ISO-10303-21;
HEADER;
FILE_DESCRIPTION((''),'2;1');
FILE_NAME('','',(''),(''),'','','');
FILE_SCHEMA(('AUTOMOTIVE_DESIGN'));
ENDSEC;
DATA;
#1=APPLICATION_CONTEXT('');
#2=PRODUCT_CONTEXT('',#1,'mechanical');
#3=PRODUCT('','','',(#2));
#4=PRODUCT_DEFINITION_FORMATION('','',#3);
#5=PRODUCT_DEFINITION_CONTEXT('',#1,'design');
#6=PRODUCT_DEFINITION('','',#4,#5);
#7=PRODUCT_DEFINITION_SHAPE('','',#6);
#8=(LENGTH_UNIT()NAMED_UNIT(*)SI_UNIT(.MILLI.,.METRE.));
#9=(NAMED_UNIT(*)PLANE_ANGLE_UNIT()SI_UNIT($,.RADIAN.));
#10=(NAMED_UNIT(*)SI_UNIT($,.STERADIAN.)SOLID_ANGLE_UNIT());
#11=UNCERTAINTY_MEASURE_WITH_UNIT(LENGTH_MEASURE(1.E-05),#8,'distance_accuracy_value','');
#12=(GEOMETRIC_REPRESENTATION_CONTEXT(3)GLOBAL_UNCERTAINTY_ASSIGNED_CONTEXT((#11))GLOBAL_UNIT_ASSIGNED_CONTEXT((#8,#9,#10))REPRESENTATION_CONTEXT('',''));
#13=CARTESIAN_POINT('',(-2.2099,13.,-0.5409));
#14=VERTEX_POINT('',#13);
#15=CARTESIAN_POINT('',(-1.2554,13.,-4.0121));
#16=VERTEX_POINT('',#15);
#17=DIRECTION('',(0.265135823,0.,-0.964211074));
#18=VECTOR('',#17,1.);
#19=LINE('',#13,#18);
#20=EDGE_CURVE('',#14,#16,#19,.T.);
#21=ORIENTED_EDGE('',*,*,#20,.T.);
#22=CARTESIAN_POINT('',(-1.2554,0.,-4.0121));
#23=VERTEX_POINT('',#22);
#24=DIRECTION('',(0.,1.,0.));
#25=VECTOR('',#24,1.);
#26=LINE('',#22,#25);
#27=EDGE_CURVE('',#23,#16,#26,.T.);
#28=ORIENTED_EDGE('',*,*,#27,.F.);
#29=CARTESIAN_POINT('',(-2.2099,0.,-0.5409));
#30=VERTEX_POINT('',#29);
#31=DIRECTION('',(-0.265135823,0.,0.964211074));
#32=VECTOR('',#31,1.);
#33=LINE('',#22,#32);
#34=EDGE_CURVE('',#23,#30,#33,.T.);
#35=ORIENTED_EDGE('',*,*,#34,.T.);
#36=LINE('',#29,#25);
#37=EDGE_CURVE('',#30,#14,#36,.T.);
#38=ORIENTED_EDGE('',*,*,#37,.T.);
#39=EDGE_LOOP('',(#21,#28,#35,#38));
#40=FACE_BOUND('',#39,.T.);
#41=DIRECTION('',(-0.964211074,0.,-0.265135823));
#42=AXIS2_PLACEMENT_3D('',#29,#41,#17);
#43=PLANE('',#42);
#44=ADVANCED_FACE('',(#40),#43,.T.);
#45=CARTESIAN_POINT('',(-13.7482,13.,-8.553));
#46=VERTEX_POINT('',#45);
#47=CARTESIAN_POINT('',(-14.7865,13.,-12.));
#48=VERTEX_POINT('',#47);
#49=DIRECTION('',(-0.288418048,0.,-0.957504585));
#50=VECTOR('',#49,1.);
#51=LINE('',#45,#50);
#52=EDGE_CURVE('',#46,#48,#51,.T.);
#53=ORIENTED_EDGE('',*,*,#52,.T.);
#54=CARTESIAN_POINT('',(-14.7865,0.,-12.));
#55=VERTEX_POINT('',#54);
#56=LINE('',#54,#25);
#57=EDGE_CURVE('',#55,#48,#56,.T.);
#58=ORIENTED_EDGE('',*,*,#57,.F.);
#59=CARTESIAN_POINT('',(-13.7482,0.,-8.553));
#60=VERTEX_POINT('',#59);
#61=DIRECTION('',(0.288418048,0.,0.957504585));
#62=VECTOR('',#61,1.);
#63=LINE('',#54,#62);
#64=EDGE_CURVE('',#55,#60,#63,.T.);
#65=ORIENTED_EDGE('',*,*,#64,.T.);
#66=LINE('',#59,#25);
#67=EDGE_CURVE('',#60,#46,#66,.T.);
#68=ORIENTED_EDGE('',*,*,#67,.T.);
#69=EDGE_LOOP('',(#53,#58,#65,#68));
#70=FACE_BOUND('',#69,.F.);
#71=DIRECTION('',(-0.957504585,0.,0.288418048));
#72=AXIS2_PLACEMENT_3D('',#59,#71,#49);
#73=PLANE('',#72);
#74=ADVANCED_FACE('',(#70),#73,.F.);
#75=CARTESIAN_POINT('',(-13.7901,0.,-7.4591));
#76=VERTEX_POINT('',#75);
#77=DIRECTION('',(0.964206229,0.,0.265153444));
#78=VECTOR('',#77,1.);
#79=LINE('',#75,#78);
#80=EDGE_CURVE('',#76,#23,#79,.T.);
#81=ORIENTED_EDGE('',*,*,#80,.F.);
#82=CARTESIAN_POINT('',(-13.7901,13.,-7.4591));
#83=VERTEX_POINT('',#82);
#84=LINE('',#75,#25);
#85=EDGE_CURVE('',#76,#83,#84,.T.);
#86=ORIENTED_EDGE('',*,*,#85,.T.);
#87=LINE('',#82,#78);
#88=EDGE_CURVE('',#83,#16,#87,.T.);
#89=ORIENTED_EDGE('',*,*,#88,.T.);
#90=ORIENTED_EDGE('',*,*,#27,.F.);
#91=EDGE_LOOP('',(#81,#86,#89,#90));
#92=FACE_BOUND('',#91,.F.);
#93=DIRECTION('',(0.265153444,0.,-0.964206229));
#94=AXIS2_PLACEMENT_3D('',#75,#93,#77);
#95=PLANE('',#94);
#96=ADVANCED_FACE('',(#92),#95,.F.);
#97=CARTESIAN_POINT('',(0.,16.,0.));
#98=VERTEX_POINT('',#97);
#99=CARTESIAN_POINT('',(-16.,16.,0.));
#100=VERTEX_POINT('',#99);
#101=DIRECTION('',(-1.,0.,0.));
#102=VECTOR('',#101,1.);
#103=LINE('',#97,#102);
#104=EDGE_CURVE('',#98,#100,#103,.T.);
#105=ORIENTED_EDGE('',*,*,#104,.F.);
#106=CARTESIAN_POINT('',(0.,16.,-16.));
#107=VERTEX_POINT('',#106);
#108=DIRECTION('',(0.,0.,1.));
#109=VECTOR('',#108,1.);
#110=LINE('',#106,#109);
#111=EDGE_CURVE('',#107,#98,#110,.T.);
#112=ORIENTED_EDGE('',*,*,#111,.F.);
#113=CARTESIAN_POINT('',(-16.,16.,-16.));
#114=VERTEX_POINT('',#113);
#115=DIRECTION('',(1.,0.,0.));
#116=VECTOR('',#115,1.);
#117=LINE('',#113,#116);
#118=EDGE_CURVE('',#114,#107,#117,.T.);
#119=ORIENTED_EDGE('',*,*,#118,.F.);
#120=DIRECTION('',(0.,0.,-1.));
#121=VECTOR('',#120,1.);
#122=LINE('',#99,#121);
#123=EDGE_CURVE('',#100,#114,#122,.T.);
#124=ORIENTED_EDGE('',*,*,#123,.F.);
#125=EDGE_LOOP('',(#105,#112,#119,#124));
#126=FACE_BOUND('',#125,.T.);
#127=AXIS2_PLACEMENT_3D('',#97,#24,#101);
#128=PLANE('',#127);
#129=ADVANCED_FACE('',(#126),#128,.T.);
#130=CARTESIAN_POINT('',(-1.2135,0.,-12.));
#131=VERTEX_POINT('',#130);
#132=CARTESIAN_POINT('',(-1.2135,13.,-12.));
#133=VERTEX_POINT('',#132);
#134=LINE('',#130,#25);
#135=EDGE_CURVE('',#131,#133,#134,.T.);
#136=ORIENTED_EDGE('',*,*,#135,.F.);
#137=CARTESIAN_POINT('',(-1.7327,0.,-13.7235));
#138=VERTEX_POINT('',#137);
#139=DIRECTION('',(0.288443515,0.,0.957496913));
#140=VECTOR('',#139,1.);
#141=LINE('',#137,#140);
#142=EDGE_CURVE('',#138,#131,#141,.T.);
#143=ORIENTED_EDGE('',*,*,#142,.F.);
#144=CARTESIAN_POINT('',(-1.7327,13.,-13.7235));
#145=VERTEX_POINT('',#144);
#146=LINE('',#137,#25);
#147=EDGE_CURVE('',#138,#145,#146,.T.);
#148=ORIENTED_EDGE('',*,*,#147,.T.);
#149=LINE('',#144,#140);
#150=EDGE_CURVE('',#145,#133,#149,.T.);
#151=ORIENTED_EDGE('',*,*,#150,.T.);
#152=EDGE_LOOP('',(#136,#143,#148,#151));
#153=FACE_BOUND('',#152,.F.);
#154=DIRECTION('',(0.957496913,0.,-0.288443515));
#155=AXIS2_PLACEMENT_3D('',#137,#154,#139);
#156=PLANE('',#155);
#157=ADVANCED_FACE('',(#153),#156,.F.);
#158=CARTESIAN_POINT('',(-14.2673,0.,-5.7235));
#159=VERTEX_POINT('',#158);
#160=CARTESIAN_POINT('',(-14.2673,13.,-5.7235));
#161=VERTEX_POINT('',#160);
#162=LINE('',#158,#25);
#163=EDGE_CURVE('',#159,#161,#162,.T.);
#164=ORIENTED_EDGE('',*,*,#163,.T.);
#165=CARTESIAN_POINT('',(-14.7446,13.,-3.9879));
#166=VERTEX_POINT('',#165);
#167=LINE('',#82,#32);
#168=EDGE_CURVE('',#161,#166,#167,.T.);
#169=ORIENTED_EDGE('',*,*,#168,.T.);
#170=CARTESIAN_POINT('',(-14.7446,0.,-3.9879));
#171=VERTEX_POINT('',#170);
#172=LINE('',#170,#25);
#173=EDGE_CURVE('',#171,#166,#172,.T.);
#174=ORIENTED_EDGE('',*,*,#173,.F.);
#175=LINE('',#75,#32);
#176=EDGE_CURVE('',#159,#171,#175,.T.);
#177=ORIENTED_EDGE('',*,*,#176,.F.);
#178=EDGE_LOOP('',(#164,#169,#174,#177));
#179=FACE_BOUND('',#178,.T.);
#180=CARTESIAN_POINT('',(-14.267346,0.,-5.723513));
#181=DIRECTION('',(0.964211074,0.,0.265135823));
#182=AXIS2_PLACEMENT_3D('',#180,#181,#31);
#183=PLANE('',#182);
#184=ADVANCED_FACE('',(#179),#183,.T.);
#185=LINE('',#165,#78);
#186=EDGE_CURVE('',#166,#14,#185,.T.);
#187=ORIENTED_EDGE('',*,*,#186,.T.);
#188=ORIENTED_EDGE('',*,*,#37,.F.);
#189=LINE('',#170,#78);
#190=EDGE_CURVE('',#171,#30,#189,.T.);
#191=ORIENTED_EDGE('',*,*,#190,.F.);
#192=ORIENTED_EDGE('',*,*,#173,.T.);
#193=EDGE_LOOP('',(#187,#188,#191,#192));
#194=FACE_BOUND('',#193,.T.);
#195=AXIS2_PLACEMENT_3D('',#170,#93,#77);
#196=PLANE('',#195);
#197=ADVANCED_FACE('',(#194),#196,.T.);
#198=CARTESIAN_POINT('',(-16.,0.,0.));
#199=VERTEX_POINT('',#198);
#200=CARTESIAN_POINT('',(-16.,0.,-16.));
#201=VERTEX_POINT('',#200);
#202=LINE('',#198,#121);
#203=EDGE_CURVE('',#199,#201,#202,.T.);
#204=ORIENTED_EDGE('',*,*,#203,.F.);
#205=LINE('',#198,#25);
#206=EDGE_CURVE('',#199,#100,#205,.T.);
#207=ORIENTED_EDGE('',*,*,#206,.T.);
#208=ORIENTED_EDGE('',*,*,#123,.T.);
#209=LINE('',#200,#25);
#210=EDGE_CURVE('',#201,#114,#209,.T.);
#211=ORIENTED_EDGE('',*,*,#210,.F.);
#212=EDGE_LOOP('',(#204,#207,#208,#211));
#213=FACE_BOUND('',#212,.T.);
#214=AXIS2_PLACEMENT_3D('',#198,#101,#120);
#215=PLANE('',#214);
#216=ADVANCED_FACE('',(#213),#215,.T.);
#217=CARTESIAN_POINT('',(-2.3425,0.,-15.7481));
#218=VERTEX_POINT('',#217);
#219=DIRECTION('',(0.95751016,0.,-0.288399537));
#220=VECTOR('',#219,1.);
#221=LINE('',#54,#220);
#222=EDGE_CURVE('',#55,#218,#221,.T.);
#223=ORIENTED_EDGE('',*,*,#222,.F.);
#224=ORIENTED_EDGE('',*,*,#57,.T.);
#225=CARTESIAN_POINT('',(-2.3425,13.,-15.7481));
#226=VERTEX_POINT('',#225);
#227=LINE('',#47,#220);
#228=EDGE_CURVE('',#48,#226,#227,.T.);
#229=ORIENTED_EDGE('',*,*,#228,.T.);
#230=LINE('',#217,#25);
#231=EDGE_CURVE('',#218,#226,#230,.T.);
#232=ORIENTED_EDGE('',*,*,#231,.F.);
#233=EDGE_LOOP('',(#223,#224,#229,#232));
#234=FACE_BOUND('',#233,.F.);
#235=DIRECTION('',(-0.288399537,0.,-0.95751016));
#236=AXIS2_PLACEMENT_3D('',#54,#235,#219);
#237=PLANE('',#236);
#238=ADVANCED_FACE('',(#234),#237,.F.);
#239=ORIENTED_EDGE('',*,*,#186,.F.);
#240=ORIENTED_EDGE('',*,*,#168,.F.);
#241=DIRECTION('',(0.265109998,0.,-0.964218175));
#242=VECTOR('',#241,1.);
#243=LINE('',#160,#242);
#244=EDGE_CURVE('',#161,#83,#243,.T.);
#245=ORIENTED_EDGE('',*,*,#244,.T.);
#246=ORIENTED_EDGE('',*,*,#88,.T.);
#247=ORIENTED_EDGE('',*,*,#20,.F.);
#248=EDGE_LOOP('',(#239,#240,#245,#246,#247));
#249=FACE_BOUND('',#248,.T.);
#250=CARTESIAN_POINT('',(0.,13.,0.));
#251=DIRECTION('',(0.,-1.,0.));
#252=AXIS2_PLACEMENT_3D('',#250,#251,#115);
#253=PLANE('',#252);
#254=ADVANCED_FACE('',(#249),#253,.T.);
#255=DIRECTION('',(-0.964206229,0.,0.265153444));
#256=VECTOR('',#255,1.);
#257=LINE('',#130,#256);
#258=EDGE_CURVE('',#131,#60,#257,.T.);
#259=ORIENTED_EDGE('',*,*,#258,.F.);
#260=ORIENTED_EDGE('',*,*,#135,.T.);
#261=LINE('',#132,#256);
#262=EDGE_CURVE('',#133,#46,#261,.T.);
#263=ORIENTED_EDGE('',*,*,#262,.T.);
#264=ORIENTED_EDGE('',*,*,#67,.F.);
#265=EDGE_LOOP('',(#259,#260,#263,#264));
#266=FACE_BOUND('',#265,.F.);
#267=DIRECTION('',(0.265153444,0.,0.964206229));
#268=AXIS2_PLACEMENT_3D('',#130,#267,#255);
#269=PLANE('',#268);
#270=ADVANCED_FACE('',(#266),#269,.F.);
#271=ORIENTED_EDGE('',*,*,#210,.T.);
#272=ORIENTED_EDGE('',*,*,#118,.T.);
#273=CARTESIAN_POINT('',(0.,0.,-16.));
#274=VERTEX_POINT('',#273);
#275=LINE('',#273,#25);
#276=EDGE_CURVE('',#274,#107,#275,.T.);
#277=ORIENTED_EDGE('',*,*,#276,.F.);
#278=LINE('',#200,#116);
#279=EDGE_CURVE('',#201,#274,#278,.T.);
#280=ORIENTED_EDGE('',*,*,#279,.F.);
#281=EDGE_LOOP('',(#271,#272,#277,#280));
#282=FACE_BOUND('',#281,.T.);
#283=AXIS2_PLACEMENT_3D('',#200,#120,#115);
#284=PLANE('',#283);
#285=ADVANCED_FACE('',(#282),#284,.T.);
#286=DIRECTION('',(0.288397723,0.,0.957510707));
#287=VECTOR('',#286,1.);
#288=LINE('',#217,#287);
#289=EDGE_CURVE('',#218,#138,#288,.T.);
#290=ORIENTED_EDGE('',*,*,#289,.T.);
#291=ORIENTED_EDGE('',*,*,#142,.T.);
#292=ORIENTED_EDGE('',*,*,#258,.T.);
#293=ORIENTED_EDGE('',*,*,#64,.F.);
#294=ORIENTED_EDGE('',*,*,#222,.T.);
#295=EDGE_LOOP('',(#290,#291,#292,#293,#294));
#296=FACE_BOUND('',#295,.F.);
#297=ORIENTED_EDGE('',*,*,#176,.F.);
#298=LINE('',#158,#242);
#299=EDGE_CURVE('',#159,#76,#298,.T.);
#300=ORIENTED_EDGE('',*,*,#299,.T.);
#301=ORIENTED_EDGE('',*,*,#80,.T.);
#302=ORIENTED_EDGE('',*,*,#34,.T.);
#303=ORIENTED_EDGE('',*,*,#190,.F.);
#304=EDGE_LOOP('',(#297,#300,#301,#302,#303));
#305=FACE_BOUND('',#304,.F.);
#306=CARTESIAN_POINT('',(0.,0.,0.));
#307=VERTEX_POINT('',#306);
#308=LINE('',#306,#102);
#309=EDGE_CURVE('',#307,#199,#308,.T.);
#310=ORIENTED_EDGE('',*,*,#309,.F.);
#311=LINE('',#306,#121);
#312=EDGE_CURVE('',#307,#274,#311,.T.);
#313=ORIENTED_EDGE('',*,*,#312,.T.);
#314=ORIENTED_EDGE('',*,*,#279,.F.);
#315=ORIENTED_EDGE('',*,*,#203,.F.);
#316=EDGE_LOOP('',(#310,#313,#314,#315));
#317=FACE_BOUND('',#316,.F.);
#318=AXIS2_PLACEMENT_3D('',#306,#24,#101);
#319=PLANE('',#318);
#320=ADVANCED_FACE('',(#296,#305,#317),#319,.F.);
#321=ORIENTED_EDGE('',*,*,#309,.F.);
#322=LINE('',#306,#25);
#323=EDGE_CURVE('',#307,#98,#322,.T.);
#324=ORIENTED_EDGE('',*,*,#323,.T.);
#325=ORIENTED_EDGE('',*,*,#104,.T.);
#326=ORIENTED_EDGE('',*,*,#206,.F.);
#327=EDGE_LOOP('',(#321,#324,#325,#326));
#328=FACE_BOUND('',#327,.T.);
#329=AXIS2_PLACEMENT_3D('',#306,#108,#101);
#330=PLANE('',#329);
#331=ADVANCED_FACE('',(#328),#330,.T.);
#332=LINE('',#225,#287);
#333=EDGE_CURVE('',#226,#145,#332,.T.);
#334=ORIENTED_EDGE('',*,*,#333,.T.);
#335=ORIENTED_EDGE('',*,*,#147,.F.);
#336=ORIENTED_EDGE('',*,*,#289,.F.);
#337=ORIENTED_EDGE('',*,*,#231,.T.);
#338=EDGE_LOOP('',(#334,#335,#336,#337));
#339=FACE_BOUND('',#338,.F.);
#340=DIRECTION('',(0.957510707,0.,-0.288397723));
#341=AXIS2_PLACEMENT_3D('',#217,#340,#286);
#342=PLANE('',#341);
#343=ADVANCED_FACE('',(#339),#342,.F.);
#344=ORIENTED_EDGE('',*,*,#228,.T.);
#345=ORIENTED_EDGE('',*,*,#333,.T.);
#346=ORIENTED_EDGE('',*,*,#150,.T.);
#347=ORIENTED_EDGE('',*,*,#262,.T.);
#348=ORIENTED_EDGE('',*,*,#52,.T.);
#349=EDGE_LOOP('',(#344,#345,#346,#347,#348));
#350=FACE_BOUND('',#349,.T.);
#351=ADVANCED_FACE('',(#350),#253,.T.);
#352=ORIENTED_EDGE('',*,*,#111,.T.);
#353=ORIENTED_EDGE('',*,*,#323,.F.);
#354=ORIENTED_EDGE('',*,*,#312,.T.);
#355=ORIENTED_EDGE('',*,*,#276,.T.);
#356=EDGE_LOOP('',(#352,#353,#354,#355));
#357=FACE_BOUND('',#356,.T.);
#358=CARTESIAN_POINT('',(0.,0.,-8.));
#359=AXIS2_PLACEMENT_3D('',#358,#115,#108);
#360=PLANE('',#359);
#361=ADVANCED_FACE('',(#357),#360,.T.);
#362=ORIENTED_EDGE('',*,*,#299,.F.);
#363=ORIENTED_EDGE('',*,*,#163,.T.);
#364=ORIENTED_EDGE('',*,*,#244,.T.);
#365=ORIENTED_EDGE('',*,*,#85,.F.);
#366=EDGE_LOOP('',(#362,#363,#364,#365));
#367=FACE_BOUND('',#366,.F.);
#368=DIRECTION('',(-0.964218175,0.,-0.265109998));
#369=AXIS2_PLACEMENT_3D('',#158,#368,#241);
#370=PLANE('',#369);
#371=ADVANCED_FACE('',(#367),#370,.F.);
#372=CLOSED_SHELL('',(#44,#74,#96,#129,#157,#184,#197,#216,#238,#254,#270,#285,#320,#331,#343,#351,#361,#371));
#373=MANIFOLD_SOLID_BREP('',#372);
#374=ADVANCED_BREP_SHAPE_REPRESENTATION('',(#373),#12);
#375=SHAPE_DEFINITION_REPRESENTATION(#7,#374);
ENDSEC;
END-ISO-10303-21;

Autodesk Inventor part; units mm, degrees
ref_plane "YZ Plane" through (0, 0, 0) normal (1, 0, 0) x (0, 1, 0)
ref_plane "XZ Plane" through (0, 0, 0) normal (0, 1, 0) x (-1, 0, 0)
ref_plane "XY Plane" through (0, 0, 0) normal (0, 0, 1) x (1, 0, 0)
sketch "Sketch1" plane through (0, 0, 0) normal (0, 1, 0) x (-1, 0, 0)
  point P0 (0, 0)
sketch "Sketch2" plane through (0, 0, 0) normal (0, 1, 0) x (-1, 0, 0)
  line L0 (0, 0) -> (16, 0)
  line L1 (16, 0) -> (16, -16)
  line L2 (16, -16) -> (0, -16)
  line L3 (0, -16) -> (0, 0)
  line L4 (0, 0) -> (0, -8)
  dimension "d1" = 16
  dimension "d2" = 16
extrude "Extrusion1" add sketch "Sketch2" along normal blind 16
sketch "Sketch3" plane through (0, 0, 0) normal (0, -1, 0) x (1, 0, 0)
  line L0 (-16, 0) -> (0, 0) projected
  line L1 (-16, -16) -> (-16, 0) projected
  line L2 (0, 0) -> (0, -16) projected
  line L3 (-16, -8) -> (0, -8)
  line L4 (-16, -8) -> (-16, -9.8)
  line L5 (0, -16) -> (0, -14.2)
  line L6 (0, -14.2) -> (-16, -9.8)
  line L7 (-8, -12) -> (-1.7327, -13.7235)
  line L8 (-1.7327, -13.7235) -> (-1.2135, -12)
  line L9 (-1.2135, -12) -> (-13.7482, -8.553)
  line L10 (-13.7482, -8.553) -> (-14.7865, -12)
  line L11 (-14.7865, -12) -> (-2.3425, -15.7481)
  line L12 (-2.3425, -15.7481) -> (-1.7327, -13.7235)
  line L13 (-16, -8) -> (-16, -6.2)
  line L14 (0, 0) -> (0, -1.8)
  line L15 (0, -1.8) -> (-16, -6.2)
  line L16 (-8, -4) -> (-14.2673, -5.7235)
  line L17 (-14.2673, -5.7235) -> (-13.7901, -7.4591)
  line L18 (-13.7901, -7.4591) -> (-1.2554, -4.0121)
  line L19 (-13.7901, -7.4591) -> (-14.7446, -3.9879)
  line L20 (-14.7446, -3.9879) -> (-2.2099, -0.5409)
  line L21 (-2.2099, -0.5409) -> (-1.2554, -4.0121)
  dimension "d28" = 1.8
  dimension "d31" = 1.8
  dimension "d32" = 13
  dimension "d33" = 3.6
  dimension "d34" = 1.8
  dimension "d35" = 1.8
  dimension "d37" = 1.8
  dimension "d38" = 13
  dimension "d42" = 3.6
  dimension "d43" = 13
extrude "Extrusion2" cut sketch "Sketch3" against normal blind 13 contours L19 L20 L21 L15 | L15 L21 L18 L17 | L10 L9 L8 L6 | L6 L12 L11 L10
properties part number "pawn-2"
